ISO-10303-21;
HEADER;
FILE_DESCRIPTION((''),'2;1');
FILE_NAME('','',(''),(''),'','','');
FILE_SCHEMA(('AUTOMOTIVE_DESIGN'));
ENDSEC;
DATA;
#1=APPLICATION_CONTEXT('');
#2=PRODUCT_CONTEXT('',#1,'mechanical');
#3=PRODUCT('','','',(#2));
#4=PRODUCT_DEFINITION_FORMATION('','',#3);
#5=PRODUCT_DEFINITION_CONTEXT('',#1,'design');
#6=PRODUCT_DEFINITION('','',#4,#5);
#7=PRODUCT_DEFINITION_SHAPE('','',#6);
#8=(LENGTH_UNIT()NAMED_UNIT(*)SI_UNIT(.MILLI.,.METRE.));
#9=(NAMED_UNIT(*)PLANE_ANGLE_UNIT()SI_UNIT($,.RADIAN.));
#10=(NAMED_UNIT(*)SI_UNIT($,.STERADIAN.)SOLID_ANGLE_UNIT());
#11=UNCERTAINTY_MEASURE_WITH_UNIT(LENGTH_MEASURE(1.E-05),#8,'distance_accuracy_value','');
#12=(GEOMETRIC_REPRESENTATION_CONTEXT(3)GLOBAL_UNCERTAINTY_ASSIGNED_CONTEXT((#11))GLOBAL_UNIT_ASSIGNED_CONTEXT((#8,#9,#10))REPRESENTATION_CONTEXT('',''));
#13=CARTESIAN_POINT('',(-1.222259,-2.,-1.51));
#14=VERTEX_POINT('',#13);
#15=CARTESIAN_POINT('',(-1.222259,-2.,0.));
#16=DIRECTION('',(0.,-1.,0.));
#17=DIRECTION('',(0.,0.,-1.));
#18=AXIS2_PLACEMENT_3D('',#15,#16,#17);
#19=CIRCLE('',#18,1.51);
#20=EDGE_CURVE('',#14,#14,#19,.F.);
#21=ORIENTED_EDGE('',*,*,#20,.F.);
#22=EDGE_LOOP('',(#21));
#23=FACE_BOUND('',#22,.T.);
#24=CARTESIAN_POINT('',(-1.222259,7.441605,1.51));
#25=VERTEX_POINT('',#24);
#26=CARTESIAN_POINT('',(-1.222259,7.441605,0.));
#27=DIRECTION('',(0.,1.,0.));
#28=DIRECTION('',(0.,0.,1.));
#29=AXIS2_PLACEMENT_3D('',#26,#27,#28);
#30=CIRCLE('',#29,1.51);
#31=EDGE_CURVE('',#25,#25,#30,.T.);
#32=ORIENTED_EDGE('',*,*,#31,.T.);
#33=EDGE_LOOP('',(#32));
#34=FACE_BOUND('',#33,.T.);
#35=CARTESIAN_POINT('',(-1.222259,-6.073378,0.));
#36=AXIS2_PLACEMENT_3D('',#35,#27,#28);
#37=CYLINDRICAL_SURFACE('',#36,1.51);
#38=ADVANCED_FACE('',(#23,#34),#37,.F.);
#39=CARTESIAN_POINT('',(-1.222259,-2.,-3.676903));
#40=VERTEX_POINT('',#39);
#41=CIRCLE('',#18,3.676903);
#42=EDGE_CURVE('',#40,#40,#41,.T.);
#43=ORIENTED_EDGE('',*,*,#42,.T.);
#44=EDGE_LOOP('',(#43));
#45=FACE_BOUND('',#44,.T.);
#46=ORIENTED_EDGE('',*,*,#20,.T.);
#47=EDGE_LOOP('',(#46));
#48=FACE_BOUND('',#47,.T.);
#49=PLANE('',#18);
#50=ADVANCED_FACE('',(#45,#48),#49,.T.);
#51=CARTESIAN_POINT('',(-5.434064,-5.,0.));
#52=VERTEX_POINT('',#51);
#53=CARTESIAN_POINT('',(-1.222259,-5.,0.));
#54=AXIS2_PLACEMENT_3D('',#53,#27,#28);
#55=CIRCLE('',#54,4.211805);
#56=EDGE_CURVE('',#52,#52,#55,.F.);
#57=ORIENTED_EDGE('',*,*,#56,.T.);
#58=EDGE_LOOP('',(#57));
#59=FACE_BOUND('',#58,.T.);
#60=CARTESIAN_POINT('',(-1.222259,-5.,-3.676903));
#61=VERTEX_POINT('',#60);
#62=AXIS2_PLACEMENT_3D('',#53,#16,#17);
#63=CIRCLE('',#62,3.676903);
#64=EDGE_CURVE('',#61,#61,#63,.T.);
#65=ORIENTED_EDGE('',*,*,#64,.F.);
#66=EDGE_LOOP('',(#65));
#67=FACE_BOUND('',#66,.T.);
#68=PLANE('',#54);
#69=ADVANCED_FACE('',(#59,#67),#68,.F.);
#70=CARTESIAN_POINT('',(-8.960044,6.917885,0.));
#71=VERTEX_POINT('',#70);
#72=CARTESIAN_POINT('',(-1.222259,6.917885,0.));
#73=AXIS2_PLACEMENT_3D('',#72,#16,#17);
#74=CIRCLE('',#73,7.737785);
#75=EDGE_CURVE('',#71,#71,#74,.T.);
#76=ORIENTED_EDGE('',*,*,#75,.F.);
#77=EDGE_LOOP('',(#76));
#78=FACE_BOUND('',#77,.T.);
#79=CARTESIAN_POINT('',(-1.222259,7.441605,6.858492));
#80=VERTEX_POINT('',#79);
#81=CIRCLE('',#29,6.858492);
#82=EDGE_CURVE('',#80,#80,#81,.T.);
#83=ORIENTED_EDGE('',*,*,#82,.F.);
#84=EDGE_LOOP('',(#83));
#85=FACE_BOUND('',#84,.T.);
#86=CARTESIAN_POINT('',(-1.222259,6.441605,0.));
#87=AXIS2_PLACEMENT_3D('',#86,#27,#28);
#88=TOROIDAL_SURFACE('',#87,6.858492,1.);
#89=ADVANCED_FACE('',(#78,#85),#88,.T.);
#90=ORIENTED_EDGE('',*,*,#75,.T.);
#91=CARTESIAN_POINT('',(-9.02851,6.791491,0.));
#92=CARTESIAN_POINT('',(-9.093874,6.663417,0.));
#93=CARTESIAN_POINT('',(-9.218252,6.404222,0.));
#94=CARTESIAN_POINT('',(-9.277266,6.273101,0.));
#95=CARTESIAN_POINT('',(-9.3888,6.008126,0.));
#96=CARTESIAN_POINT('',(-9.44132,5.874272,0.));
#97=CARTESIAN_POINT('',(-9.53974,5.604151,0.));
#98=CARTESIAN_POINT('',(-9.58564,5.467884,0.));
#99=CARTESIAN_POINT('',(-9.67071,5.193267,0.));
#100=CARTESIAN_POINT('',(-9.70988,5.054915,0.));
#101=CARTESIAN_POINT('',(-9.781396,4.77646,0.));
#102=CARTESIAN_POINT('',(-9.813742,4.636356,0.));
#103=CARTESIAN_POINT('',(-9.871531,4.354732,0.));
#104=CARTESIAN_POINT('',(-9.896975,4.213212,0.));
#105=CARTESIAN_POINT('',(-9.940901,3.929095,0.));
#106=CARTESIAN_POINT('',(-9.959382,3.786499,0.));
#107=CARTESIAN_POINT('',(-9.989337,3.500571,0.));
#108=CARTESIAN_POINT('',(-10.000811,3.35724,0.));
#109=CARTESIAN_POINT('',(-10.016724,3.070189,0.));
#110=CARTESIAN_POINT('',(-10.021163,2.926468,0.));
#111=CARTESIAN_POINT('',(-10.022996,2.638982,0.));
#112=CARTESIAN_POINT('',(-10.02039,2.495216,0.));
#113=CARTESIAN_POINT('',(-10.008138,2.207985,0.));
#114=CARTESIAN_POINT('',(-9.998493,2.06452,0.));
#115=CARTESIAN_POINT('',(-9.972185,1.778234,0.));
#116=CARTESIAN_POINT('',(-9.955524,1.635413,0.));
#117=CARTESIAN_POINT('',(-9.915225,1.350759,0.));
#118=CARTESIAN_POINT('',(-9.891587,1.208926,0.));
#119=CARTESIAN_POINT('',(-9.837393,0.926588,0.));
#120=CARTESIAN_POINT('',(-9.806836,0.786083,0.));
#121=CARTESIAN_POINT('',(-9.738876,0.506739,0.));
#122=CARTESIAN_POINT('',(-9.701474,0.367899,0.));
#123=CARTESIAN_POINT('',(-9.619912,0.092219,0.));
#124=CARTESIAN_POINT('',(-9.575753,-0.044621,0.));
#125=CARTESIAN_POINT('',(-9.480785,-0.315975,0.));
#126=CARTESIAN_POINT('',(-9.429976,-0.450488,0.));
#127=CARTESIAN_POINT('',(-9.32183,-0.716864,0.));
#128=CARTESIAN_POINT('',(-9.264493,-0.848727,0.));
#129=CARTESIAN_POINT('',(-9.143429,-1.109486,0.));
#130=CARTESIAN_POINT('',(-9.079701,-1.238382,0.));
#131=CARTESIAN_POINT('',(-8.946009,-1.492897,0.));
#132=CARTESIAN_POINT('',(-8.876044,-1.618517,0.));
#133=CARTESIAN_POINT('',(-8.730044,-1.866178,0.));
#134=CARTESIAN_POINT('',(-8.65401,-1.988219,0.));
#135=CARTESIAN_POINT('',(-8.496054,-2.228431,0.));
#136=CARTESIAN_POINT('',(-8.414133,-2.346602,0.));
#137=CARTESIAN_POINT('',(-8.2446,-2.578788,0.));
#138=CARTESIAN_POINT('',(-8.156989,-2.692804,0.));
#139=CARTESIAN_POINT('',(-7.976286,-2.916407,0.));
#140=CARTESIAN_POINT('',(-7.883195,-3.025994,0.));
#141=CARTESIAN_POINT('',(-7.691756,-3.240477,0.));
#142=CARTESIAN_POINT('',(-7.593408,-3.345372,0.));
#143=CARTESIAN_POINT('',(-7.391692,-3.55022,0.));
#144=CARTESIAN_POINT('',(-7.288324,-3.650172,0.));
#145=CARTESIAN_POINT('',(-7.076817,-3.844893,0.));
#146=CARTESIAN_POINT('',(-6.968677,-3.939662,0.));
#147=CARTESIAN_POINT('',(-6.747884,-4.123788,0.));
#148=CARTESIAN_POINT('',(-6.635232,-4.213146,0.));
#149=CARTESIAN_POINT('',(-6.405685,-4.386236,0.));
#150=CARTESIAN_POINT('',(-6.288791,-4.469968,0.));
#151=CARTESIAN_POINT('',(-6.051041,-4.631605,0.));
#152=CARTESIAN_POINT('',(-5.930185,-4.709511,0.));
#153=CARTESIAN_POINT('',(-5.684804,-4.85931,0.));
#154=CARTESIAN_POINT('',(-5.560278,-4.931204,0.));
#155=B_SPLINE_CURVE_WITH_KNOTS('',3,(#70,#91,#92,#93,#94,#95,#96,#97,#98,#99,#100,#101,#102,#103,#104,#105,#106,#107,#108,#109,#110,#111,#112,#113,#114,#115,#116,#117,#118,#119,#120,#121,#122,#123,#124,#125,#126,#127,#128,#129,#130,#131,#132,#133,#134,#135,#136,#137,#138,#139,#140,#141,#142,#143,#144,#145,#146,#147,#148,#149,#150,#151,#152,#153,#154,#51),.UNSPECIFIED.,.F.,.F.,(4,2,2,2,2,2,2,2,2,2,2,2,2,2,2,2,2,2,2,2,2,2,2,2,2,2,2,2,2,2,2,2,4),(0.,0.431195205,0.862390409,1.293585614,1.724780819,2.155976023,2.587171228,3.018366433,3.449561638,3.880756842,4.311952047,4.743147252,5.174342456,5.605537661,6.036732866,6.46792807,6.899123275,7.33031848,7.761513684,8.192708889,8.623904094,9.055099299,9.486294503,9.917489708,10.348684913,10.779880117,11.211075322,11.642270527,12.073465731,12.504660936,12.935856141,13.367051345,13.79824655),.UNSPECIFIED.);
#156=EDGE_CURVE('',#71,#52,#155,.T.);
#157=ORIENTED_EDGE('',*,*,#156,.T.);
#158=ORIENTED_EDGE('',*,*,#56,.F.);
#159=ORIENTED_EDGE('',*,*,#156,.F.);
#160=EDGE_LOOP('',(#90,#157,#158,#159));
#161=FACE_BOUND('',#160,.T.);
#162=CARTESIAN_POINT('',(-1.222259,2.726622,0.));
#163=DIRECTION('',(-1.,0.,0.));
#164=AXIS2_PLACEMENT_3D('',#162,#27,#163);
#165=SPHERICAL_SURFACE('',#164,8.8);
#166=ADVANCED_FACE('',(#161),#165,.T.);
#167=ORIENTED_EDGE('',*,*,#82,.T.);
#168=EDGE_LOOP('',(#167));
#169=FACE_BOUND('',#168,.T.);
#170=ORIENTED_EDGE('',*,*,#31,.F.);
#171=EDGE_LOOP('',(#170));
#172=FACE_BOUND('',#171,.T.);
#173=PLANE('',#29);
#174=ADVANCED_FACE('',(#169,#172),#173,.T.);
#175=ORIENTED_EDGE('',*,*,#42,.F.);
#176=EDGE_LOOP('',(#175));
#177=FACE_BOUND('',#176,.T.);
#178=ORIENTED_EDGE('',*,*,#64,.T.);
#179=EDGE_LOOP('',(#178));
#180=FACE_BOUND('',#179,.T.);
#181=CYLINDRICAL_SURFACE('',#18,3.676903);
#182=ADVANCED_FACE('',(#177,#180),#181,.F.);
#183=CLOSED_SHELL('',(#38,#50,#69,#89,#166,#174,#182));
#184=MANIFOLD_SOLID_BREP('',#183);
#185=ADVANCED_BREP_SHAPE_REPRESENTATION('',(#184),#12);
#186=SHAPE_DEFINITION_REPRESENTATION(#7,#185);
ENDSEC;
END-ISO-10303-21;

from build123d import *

# Parameters (mm, degrees)
CUT_EXTRUDE_1_DEPTH      = 19.987901745
CUT_EXTRUDE_1_DEPTH_BACK = 19.987901745
SKETCH_2_R               = 1.51
SKETCH_4_R               = 4.643686352
CUT_EXTRUDE_2_DEPTH      = 5
SKETCH_5_R               = 3.676903301
CUT_EXTRUDE_3_DEPTH      = 3
FILLET_1_R               = 1


with BuildPart() as part:
    # 草图1 → 旋转1 (revolve)
    with BuildSketch(Plane.XY):
        with BuildLine():
            Line((-1.222258531, -6.073377549), (-1.222258531, 7.441604752))
            Line((-1.222258531, 7.441604752), (-8.652530525, 7.441604752))
            ThreePointArc((-8.652530525, 7.441604752), (-8.933673585, -1.512962184), (-1.222258531, -6.073377549))
        make_face()
    revolve(axis=Axis((-1.222258531, 5.226622451, 0), (0, -1, 0)))

    # 草图2 → 切除-拉伸1 (cut, two sides: drawn at the far end of the back side and taken through both)
    with BuildSketch(Plane(origin=(0, 7.441604752, 0), x_dir=(1, 0, 0), z_dir=(0, 1, 0)).offset(-CUT_EXTRUDE_1_DEPTH_BACK)):
        with Locations(Location((-1.222258531, 0, 0), (0, 0, 270))):
            Circle(SKETCH_2_R)
    extrude(amount=CUT_EXTRUDE_1_DEPTH + CUT_EXTRUDE_1_DEPTH_BACK, mode=Mode.SUBTRACT)

    # 草图4 → 切除-拉伸2 (cut)
    with BuildSketch(Plane(origin=(0, -10, 0), x_dir=(1, 0, 0), z_dir=(0, 1, 0))):
        with Locations((-1.222258531, 0)):
            Circle(SKETCH_4_R)
    extrude(amount=CUT_EXTRUDE_2_DEPTH, mode=Mode.SUBTRACT)

    # 草图5 → 切除-拉伸3 (cut)
    with BuildSketch(Plane.XZ.offset(5)):
        with Locations(Location((-1.222258531, 0, 0), (0, 0, 270))):
            Circle(SKETCH_5_R)
    extrude(amount=-CUT_EXTRUDE_3_DEPTH, mode=Mode.SUBTRACT)

    # 圆角1
    fillet_1_edges = [part.edges().sort_by_distance(p)[0] for p in [
        (6.208013462, 7.441604752, 0),
    ]]
    fillet(fillet_1_edges, radius=FILLET_1_R)


solid = part.part
